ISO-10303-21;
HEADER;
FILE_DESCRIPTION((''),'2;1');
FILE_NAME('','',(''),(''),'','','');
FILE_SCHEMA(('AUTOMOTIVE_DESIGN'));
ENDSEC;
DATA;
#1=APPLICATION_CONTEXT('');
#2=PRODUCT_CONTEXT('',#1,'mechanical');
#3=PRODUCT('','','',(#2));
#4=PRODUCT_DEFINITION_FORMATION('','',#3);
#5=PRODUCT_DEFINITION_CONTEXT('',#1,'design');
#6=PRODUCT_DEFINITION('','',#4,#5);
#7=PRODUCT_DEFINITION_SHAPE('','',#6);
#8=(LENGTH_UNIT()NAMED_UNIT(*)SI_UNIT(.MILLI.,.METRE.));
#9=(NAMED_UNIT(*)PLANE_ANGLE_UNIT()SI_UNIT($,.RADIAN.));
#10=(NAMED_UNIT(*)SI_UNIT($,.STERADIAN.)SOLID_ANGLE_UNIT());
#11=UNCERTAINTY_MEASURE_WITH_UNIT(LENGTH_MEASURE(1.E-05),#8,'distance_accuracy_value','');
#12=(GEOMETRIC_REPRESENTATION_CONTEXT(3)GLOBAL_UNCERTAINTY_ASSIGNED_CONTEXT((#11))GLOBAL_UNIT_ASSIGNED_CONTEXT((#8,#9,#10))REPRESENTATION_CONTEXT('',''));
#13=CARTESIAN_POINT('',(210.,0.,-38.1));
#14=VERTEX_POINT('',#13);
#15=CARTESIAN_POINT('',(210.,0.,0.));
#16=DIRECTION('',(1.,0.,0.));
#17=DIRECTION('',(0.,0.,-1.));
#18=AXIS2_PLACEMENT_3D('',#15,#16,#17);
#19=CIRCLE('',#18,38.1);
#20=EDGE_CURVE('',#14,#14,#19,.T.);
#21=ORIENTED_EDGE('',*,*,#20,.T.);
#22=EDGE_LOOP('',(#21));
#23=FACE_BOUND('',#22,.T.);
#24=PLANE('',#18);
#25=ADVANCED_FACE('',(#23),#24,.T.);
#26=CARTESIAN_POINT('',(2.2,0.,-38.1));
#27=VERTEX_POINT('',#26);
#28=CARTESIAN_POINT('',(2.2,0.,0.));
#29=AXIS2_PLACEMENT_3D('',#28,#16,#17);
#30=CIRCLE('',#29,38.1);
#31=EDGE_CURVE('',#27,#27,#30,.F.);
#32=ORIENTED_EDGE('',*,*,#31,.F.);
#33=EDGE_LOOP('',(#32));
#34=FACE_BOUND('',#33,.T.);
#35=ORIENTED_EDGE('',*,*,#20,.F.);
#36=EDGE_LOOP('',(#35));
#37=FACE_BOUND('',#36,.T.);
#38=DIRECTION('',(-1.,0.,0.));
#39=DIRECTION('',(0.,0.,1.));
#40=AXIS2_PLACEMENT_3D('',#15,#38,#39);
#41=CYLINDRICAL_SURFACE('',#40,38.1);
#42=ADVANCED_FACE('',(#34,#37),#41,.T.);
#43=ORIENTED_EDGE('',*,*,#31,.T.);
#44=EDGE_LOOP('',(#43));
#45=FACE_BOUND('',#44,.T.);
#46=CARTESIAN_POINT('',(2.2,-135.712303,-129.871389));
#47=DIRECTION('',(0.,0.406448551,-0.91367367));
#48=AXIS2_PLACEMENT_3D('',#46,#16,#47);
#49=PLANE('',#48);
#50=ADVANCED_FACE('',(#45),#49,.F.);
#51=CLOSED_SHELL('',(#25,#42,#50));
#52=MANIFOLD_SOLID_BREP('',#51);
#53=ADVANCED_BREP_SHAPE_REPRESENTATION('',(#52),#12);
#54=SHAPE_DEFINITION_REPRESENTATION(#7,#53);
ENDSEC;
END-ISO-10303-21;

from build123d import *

# Parameters (mm, degrees)
SKETCH1_R           = 38.1
BOSS_EXTRUDE1_DEPTH = 210
CUT_EXTRUDE1_START  = -2.2
SKETCH2_R           = 38.1
CUT_EXTRUDE1_DEPTH  = 2.2


with BuildPart() as part:
    # Sketch1 → Boss-Extrude1 (new body)
    with BuildSketch(Plane(origin=(0, 0, 0), x_dir=(0, 0, -1), z_dir=(1, 0, 0))):
        Circle(SKETCH1_R)
    extrude(amount=BOSS_EXTRUDE1_DEPTH)

    # Sketch2 → Cut-Extrude1 (cut)
    with BuildSketch(Plane.ZY.offset(CUT_EXTRUDE1_START)):
        with Locations(Location((0, 0, 0), (0, 0, 180))):
            Circle(SKETCH2_R)
    extrude(amount=CUT_EXTRUDE1_DEPTH, mode=Mode.SUBTRACT)


solid = part.part
